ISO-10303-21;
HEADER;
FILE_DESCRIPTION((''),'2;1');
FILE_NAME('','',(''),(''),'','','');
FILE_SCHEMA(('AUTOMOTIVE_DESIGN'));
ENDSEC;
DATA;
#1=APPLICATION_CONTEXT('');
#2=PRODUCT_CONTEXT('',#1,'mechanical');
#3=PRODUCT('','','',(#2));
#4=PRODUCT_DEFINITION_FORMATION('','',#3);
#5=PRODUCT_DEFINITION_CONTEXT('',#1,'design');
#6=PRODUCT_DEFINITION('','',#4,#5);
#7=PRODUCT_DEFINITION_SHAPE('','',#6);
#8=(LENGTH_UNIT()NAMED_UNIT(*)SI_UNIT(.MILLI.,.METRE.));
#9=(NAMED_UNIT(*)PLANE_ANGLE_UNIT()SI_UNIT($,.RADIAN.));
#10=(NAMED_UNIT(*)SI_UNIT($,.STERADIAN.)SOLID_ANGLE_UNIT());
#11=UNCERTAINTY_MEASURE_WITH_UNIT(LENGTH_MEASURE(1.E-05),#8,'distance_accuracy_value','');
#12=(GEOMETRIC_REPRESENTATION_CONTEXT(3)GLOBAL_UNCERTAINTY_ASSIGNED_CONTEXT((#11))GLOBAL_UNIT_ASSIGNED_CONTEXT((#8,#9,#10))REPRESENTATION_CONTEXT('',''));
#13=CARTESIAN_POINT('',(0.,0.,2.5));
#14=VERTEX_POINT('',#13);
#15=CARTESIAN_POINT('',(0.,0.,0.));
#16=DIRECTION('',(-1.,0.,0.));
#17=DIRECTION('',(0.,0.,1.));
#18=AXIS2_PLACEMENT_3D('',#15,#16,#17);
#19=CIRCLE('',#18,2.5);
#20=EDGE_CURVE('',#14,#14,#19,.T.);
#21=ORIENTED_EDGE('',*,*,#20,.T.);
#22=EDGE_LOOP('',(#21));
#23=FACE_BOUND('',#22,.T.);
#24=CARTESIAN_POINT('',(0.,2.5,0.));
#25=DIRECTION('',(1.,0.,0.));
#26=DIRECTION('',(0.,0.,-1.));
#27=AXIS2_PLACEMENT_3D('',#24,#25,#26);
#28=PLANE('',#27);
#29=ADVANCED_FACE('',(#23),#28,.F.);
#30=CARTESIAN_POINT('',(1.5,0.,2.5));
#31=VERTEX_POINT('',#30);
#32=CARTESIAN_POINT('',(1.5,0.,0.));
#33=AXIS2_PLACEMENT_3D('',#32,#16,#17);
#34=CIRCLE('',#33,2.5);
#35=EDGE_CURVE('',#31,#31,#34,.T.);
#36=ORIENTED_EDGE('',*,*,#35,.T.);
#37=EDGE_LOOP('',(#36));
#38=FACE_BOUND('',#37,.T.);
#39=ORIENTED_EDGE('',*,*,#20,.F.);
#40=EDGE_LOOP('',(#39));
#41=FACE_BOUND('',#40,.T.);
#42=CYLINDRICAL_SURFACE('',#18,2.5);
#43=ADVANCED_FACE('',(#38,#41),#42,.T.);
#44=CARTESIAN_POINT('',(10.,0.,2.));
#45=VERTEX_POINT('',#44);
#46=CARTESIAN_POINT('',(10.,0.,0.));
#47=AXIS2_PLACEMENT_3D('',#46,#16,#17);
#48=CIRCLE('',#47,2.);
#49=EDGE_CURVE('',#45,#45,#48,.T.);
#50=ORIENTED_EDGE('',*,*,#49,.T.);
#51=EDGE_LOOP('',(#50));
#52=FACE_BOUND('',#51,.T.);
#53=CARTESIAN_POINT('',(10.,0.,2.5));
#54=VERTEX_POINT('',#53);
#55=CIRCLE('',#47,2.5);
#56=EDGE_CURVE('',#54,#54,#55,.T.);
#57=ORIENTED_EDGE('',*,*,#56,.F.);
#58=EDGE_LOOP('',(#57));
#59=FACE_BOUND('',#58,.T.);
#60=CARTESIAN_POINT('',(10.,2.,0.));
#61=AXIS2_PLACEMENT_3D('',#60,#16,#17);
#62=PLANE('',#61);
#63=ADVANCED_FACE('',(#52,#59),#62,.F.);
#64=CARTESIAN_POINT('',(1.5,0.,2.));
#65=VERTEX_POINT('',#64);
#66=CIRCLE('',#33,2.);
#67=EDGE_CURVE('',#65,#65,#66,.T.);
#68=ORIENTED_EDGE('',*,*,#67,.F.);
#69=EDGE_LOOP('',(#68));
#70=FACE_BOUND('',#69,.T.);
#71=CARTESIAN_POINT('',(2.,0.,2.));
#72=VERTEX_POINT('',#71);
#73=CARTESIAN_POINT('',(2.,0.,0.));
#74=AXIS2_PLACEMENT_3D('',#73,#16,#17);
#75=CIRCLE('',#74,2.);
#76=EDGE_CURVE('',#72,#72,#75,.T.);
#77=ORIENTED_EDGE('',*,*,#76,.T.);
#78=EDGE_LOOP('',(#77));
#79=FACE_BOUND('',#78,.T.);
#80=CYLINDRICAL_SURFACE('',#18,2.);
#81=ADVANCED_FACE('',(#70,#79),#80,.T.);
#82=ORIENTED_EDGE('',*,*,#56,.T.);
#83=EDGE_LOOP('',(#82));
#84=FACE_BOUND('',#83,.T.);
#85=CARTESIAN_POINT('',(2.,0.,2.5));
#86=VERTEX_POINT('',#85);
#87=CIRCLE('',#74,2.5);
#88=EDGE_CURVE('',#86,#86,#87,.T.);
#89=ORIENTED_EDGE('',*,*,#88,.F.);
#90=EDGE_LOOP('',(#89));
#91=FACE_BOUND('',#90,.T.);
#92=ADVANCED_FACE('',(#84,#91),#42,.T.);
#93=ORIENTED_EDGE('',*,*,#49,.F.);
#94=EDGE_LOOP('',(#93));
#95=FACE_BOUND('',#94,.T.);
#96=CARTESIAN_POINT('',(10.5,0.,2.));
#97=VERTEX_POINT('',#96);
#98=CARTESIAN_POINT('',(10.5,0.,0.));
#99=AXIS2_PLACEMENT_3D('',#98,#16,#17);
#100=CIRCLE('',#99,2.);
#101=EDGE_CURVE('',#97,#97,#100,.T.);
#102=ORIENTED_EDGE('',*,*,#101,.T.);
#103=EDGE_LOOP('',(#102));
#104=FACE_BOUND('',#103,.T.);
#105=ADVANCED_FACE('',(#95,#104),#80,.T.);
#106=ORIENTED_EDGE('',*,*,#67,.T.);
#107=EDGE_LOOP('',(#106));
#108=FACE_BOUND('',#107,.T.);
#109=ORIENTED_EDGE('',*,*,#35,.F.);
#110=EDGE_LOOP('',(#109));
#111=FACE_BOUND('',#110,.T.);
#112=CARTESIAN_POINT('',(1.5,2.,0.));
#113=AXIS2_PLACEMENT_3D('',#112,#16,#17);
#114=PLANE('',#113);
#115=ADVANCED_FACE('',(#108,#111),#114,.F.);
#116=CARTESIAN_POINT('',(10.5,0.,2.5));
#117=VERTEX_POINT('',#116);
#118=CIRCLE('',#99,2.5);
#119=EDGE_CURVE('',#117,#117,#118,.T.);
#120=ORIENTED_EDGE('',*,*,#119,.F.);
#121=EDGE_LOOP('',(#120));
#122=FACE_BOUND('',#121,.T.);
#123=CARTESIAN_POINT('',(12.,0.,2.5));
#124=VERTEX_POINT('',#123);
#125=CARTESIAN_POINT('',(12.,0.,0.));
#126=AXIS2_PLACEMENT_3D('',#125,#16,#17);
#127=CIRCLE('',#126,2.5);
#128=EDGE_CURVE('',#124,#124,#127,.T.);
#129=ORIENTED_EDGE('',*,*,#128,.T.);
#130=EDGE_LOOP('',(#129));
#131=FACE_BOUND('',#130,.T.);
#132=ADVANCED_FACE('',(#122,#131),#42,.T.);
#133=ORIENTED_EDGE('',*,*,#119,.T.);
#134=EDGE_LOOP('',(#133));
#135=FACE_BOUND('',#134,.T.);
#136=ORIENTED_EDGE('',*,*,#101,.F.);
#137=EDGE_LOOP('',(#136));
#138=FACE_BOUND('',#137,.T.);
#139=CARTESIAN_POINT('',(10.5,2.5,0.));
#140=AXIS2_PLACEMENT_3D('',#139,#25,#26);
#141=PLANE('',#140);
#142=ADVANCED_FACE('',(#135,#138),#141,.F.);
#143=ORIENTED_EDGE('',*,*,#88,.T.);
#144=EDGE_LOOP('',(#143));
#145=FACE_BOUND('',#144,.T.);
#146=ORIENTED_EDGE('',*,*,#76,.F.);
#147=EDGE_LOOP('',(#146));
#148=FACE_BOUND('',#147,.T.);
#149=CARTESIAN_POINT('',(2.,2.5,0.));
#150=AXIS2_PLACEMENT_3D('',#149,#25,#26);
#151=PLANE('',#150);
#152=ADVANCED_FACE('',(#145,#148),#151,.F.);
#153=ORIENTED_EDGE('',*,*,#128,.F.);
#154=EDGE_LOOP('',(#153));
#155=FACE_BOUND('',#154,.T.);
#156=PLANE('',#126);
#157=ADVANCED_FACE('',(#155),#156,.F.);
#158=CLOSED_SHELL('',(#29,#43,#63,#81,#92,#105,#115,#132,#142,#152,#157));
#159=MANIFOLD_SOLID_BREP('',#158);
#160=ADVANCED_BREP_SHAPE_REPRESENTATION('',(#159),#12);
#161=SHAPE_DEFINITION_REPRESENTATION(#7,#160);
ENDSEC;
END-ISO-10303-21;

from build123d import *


with BuildPart() as part:
    # Sketch1 → Revolve1 (revolve)
    with BuildSketch(Plane.XY, mode=Mode.PRIVATE) as revolve1_sk:
        Polygon((0, 0), (12, 0), (12, 2.5), (10.5, 2.5), (10.5, 2), (10, 2), (10, 2.5), (2, 2.5), (2, 2), (1.5, 2), (1.5, 2.5), (0, 2.5), align=None)
    revolve(revolve1_sk.sketch.rotate(Axis((0, 0, 0), (1, 0, 0)), 90), axis=Axis((0, 0, 0), (1, 0, 0)))


solid = part.part
